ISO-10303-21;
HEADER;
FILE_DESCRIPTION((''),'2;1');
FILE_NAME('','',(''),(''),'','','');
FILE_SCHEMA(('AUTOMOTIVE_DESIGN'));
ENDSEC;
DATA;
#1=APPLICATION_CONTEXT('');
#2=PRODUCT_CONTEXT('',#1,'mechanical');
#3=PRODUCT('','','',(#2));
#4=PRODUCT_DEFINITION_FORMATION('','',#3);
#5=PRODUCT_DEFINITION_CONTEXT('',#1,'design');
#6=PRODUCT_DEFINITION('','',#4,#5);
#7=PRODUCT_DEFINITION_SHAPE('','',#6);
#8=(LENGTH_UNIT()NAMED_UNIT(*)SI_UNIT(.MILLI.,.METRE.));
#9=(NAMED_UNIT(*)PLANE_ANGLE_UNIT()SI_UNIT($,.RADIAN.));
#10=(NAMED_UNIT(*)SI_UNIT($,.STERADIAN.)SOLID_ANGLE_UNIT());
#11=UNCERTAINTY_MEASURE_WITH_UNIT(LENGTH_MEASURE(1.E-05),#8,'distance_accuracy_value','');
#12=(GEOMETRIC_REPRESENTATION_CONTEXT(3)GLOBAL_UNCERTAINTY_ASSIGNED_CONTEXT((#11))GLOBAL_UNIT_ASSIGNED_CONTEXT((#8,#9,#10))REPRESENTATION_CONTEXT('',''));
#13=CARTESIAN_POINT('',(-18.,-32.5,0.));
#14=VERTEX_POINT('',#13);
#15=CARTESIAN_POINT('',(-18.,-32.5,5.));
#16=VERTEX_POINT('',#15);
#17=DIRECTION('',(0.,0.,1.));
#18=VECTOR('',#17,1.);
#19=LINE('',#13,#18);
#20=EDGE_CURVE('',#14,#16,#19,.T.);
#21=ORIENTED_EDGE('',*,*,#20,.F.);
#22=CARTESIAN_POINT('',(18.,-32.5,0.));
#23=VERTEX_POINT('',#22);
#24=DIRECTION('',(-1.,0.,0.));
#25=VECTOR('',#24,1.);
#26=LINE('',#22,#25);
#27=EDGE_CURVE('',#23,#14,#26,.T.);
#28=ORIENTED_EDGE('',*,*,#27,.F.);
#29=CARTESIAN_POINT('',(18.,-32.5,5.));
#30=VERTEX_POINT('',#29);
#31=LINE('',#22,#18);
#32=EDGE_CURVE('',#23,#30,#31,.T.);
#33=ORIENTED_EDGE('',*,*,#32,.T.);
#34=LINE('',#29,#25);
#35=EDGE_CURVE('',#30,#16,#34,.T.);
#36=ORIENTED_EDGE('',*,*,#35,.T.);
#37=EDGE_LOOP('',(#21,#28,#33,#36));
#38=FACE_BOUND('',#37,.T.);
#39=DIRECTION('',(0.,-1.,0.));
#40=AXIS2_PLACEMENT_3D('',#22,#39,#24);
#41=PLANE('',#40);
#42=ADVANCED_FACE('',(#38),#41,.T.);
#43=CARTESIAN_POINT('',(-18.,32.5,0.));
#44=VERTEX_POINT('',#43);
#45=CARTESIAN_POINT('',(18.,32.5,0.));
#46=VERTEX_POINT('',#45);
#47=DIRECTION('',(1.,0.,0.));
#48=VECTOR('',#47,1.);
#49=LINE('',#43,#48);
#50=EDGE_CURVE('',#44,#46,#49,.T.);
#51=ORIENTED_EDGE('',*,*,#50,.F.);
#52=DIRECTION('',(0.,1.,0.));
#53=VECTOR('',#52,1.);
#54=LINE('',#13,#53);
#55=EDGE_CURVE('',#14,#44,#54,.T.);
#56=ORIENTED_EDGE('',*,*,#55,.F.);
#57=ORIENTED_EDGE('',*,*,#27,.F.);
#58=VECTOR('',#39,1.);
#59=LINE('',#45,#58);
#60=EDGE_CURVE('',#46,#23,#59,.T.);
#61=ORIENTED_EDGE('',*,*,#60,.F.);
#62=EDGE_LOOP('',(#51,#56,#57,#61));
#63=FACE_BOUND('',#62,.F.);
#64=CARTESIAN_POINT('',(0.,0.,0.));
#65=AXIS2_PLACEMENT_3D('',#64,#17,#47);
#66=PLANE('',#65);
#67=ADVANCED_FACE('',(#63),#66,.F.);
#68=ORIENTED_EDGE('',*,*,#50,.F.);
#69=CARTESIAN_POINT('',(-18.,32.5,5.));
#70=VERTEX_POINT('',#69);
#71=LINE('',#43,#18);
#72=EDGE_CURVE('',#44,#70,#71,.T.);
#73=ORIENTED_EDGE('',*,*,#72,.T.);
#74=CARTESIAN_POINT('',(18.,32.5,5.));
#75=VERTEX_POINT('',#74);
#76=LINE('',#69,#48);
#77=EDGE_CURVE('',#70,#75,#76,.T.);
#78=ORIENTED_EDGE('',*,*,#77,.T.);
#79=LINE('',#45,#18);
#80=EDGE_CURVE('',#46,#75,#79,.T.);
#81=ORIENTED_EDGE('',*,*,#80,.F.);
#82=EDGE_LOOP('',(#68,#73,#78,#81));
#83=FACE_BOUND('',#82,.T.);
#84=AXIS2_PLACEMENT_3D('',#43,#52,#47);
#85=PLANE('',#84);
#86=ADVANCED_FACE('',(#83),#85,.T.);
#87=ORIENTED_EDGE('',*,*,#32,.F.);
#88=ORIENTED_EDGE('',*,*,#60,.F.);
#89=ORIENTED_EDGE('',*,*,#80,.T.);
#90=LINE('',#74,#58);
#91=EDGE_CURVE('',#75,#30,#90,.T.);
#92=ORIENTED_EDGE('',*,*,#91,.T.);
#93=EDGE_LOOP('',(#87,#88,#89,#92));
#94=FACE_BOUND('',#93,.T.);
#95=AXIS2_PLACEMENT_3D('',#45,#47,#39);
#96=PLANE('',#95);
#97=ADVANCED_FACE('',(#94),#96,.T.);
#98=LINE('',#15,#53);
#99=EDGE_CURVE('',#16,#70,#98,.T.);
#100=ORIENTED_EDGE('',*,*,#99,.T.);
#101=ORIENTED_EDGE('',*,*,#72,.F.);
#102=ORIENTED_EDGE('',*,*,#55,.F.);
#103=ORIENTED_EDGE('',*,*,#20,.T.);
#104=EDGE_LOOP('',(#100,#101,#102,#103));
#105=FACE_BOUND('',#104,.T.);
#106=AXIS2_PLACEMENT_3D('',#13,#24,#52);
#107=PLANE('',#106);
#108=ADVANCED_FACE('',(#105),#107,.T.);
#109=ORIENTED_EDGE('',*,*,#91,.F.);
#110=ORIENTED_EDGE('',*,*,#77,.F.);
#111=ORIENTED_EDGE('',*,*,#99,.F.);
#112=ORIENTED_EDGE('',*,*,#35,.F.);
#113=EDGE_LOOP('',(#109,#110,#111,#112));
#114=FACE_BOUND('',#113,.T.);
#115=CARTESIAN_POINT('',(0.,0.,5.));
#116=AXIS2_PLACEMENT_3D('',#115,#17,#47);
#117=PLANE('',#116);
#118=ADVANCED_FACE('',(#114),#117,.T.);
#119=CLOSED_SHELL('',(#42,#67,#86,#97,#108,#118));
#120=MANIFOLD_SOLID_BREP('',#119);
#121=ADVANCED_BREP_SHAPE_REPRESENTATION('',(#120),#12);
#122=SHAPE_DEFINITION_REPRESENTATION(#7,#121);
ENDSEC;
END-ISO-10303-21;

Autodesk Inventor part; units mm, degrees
ref_plane "YZ Plane" through (0, 0, 0) normal (1, 0, 0) x (0, 1, 0)
ref_plane "XZ Plane" through (0, 0, 0) normal (0, 1, 0) x (-1, 0, 0)
ref_plane "XY Plane" through (0, 0, 0) normal (0, 0, 1) x (1, 0, 0)
sketch "Sketch1" plane through (0, 0, 0) normal (0, 0, 1) x (1, 0, 0)
  line L0 (0, 20.1746) -> (0, -21.4461) construction
  line L1 (-20.2028, 0) -> (20.1685, 0) construction
  line L2 (-18, 32.5) -> (18, 32.5)
  line L3 (18, 32.5) -> (18, -32.5)
  line L4 (18, -32.5) -> (-18, -32.5)
  line L5 (-18, -32.5) -> (-18, 32.5)
  point P0 (0, 0)
  dimension "d0" = 65
  dimension "d1" = 32.5
  dimension "d2" = 36
  dimension "d3" = 18
extrude "Extrusion1" add sketch "Sketch1" along normal blind 5
fillet "Fillet1" [suppressed]
chamfer "Chamfer1" [suppressed]
equation "\"d0\" = height"
equation "\"d1\" = 0.5 * height"
equation "\"d2\" = width"
equation "\"d3\" = 0.5 * width"
equation "\"d4\" = thickness"
equation "\"fillet\" = 0"
equation "\"chamfer\" = 0"
equation "\"thickness\" = 5"
equation "\"width\" = 36"
equation "\"height\" = 65"
properties part number "Пластина Острые углы (мм) 36 x 65 x 5" material "Сталь, мягкая"
